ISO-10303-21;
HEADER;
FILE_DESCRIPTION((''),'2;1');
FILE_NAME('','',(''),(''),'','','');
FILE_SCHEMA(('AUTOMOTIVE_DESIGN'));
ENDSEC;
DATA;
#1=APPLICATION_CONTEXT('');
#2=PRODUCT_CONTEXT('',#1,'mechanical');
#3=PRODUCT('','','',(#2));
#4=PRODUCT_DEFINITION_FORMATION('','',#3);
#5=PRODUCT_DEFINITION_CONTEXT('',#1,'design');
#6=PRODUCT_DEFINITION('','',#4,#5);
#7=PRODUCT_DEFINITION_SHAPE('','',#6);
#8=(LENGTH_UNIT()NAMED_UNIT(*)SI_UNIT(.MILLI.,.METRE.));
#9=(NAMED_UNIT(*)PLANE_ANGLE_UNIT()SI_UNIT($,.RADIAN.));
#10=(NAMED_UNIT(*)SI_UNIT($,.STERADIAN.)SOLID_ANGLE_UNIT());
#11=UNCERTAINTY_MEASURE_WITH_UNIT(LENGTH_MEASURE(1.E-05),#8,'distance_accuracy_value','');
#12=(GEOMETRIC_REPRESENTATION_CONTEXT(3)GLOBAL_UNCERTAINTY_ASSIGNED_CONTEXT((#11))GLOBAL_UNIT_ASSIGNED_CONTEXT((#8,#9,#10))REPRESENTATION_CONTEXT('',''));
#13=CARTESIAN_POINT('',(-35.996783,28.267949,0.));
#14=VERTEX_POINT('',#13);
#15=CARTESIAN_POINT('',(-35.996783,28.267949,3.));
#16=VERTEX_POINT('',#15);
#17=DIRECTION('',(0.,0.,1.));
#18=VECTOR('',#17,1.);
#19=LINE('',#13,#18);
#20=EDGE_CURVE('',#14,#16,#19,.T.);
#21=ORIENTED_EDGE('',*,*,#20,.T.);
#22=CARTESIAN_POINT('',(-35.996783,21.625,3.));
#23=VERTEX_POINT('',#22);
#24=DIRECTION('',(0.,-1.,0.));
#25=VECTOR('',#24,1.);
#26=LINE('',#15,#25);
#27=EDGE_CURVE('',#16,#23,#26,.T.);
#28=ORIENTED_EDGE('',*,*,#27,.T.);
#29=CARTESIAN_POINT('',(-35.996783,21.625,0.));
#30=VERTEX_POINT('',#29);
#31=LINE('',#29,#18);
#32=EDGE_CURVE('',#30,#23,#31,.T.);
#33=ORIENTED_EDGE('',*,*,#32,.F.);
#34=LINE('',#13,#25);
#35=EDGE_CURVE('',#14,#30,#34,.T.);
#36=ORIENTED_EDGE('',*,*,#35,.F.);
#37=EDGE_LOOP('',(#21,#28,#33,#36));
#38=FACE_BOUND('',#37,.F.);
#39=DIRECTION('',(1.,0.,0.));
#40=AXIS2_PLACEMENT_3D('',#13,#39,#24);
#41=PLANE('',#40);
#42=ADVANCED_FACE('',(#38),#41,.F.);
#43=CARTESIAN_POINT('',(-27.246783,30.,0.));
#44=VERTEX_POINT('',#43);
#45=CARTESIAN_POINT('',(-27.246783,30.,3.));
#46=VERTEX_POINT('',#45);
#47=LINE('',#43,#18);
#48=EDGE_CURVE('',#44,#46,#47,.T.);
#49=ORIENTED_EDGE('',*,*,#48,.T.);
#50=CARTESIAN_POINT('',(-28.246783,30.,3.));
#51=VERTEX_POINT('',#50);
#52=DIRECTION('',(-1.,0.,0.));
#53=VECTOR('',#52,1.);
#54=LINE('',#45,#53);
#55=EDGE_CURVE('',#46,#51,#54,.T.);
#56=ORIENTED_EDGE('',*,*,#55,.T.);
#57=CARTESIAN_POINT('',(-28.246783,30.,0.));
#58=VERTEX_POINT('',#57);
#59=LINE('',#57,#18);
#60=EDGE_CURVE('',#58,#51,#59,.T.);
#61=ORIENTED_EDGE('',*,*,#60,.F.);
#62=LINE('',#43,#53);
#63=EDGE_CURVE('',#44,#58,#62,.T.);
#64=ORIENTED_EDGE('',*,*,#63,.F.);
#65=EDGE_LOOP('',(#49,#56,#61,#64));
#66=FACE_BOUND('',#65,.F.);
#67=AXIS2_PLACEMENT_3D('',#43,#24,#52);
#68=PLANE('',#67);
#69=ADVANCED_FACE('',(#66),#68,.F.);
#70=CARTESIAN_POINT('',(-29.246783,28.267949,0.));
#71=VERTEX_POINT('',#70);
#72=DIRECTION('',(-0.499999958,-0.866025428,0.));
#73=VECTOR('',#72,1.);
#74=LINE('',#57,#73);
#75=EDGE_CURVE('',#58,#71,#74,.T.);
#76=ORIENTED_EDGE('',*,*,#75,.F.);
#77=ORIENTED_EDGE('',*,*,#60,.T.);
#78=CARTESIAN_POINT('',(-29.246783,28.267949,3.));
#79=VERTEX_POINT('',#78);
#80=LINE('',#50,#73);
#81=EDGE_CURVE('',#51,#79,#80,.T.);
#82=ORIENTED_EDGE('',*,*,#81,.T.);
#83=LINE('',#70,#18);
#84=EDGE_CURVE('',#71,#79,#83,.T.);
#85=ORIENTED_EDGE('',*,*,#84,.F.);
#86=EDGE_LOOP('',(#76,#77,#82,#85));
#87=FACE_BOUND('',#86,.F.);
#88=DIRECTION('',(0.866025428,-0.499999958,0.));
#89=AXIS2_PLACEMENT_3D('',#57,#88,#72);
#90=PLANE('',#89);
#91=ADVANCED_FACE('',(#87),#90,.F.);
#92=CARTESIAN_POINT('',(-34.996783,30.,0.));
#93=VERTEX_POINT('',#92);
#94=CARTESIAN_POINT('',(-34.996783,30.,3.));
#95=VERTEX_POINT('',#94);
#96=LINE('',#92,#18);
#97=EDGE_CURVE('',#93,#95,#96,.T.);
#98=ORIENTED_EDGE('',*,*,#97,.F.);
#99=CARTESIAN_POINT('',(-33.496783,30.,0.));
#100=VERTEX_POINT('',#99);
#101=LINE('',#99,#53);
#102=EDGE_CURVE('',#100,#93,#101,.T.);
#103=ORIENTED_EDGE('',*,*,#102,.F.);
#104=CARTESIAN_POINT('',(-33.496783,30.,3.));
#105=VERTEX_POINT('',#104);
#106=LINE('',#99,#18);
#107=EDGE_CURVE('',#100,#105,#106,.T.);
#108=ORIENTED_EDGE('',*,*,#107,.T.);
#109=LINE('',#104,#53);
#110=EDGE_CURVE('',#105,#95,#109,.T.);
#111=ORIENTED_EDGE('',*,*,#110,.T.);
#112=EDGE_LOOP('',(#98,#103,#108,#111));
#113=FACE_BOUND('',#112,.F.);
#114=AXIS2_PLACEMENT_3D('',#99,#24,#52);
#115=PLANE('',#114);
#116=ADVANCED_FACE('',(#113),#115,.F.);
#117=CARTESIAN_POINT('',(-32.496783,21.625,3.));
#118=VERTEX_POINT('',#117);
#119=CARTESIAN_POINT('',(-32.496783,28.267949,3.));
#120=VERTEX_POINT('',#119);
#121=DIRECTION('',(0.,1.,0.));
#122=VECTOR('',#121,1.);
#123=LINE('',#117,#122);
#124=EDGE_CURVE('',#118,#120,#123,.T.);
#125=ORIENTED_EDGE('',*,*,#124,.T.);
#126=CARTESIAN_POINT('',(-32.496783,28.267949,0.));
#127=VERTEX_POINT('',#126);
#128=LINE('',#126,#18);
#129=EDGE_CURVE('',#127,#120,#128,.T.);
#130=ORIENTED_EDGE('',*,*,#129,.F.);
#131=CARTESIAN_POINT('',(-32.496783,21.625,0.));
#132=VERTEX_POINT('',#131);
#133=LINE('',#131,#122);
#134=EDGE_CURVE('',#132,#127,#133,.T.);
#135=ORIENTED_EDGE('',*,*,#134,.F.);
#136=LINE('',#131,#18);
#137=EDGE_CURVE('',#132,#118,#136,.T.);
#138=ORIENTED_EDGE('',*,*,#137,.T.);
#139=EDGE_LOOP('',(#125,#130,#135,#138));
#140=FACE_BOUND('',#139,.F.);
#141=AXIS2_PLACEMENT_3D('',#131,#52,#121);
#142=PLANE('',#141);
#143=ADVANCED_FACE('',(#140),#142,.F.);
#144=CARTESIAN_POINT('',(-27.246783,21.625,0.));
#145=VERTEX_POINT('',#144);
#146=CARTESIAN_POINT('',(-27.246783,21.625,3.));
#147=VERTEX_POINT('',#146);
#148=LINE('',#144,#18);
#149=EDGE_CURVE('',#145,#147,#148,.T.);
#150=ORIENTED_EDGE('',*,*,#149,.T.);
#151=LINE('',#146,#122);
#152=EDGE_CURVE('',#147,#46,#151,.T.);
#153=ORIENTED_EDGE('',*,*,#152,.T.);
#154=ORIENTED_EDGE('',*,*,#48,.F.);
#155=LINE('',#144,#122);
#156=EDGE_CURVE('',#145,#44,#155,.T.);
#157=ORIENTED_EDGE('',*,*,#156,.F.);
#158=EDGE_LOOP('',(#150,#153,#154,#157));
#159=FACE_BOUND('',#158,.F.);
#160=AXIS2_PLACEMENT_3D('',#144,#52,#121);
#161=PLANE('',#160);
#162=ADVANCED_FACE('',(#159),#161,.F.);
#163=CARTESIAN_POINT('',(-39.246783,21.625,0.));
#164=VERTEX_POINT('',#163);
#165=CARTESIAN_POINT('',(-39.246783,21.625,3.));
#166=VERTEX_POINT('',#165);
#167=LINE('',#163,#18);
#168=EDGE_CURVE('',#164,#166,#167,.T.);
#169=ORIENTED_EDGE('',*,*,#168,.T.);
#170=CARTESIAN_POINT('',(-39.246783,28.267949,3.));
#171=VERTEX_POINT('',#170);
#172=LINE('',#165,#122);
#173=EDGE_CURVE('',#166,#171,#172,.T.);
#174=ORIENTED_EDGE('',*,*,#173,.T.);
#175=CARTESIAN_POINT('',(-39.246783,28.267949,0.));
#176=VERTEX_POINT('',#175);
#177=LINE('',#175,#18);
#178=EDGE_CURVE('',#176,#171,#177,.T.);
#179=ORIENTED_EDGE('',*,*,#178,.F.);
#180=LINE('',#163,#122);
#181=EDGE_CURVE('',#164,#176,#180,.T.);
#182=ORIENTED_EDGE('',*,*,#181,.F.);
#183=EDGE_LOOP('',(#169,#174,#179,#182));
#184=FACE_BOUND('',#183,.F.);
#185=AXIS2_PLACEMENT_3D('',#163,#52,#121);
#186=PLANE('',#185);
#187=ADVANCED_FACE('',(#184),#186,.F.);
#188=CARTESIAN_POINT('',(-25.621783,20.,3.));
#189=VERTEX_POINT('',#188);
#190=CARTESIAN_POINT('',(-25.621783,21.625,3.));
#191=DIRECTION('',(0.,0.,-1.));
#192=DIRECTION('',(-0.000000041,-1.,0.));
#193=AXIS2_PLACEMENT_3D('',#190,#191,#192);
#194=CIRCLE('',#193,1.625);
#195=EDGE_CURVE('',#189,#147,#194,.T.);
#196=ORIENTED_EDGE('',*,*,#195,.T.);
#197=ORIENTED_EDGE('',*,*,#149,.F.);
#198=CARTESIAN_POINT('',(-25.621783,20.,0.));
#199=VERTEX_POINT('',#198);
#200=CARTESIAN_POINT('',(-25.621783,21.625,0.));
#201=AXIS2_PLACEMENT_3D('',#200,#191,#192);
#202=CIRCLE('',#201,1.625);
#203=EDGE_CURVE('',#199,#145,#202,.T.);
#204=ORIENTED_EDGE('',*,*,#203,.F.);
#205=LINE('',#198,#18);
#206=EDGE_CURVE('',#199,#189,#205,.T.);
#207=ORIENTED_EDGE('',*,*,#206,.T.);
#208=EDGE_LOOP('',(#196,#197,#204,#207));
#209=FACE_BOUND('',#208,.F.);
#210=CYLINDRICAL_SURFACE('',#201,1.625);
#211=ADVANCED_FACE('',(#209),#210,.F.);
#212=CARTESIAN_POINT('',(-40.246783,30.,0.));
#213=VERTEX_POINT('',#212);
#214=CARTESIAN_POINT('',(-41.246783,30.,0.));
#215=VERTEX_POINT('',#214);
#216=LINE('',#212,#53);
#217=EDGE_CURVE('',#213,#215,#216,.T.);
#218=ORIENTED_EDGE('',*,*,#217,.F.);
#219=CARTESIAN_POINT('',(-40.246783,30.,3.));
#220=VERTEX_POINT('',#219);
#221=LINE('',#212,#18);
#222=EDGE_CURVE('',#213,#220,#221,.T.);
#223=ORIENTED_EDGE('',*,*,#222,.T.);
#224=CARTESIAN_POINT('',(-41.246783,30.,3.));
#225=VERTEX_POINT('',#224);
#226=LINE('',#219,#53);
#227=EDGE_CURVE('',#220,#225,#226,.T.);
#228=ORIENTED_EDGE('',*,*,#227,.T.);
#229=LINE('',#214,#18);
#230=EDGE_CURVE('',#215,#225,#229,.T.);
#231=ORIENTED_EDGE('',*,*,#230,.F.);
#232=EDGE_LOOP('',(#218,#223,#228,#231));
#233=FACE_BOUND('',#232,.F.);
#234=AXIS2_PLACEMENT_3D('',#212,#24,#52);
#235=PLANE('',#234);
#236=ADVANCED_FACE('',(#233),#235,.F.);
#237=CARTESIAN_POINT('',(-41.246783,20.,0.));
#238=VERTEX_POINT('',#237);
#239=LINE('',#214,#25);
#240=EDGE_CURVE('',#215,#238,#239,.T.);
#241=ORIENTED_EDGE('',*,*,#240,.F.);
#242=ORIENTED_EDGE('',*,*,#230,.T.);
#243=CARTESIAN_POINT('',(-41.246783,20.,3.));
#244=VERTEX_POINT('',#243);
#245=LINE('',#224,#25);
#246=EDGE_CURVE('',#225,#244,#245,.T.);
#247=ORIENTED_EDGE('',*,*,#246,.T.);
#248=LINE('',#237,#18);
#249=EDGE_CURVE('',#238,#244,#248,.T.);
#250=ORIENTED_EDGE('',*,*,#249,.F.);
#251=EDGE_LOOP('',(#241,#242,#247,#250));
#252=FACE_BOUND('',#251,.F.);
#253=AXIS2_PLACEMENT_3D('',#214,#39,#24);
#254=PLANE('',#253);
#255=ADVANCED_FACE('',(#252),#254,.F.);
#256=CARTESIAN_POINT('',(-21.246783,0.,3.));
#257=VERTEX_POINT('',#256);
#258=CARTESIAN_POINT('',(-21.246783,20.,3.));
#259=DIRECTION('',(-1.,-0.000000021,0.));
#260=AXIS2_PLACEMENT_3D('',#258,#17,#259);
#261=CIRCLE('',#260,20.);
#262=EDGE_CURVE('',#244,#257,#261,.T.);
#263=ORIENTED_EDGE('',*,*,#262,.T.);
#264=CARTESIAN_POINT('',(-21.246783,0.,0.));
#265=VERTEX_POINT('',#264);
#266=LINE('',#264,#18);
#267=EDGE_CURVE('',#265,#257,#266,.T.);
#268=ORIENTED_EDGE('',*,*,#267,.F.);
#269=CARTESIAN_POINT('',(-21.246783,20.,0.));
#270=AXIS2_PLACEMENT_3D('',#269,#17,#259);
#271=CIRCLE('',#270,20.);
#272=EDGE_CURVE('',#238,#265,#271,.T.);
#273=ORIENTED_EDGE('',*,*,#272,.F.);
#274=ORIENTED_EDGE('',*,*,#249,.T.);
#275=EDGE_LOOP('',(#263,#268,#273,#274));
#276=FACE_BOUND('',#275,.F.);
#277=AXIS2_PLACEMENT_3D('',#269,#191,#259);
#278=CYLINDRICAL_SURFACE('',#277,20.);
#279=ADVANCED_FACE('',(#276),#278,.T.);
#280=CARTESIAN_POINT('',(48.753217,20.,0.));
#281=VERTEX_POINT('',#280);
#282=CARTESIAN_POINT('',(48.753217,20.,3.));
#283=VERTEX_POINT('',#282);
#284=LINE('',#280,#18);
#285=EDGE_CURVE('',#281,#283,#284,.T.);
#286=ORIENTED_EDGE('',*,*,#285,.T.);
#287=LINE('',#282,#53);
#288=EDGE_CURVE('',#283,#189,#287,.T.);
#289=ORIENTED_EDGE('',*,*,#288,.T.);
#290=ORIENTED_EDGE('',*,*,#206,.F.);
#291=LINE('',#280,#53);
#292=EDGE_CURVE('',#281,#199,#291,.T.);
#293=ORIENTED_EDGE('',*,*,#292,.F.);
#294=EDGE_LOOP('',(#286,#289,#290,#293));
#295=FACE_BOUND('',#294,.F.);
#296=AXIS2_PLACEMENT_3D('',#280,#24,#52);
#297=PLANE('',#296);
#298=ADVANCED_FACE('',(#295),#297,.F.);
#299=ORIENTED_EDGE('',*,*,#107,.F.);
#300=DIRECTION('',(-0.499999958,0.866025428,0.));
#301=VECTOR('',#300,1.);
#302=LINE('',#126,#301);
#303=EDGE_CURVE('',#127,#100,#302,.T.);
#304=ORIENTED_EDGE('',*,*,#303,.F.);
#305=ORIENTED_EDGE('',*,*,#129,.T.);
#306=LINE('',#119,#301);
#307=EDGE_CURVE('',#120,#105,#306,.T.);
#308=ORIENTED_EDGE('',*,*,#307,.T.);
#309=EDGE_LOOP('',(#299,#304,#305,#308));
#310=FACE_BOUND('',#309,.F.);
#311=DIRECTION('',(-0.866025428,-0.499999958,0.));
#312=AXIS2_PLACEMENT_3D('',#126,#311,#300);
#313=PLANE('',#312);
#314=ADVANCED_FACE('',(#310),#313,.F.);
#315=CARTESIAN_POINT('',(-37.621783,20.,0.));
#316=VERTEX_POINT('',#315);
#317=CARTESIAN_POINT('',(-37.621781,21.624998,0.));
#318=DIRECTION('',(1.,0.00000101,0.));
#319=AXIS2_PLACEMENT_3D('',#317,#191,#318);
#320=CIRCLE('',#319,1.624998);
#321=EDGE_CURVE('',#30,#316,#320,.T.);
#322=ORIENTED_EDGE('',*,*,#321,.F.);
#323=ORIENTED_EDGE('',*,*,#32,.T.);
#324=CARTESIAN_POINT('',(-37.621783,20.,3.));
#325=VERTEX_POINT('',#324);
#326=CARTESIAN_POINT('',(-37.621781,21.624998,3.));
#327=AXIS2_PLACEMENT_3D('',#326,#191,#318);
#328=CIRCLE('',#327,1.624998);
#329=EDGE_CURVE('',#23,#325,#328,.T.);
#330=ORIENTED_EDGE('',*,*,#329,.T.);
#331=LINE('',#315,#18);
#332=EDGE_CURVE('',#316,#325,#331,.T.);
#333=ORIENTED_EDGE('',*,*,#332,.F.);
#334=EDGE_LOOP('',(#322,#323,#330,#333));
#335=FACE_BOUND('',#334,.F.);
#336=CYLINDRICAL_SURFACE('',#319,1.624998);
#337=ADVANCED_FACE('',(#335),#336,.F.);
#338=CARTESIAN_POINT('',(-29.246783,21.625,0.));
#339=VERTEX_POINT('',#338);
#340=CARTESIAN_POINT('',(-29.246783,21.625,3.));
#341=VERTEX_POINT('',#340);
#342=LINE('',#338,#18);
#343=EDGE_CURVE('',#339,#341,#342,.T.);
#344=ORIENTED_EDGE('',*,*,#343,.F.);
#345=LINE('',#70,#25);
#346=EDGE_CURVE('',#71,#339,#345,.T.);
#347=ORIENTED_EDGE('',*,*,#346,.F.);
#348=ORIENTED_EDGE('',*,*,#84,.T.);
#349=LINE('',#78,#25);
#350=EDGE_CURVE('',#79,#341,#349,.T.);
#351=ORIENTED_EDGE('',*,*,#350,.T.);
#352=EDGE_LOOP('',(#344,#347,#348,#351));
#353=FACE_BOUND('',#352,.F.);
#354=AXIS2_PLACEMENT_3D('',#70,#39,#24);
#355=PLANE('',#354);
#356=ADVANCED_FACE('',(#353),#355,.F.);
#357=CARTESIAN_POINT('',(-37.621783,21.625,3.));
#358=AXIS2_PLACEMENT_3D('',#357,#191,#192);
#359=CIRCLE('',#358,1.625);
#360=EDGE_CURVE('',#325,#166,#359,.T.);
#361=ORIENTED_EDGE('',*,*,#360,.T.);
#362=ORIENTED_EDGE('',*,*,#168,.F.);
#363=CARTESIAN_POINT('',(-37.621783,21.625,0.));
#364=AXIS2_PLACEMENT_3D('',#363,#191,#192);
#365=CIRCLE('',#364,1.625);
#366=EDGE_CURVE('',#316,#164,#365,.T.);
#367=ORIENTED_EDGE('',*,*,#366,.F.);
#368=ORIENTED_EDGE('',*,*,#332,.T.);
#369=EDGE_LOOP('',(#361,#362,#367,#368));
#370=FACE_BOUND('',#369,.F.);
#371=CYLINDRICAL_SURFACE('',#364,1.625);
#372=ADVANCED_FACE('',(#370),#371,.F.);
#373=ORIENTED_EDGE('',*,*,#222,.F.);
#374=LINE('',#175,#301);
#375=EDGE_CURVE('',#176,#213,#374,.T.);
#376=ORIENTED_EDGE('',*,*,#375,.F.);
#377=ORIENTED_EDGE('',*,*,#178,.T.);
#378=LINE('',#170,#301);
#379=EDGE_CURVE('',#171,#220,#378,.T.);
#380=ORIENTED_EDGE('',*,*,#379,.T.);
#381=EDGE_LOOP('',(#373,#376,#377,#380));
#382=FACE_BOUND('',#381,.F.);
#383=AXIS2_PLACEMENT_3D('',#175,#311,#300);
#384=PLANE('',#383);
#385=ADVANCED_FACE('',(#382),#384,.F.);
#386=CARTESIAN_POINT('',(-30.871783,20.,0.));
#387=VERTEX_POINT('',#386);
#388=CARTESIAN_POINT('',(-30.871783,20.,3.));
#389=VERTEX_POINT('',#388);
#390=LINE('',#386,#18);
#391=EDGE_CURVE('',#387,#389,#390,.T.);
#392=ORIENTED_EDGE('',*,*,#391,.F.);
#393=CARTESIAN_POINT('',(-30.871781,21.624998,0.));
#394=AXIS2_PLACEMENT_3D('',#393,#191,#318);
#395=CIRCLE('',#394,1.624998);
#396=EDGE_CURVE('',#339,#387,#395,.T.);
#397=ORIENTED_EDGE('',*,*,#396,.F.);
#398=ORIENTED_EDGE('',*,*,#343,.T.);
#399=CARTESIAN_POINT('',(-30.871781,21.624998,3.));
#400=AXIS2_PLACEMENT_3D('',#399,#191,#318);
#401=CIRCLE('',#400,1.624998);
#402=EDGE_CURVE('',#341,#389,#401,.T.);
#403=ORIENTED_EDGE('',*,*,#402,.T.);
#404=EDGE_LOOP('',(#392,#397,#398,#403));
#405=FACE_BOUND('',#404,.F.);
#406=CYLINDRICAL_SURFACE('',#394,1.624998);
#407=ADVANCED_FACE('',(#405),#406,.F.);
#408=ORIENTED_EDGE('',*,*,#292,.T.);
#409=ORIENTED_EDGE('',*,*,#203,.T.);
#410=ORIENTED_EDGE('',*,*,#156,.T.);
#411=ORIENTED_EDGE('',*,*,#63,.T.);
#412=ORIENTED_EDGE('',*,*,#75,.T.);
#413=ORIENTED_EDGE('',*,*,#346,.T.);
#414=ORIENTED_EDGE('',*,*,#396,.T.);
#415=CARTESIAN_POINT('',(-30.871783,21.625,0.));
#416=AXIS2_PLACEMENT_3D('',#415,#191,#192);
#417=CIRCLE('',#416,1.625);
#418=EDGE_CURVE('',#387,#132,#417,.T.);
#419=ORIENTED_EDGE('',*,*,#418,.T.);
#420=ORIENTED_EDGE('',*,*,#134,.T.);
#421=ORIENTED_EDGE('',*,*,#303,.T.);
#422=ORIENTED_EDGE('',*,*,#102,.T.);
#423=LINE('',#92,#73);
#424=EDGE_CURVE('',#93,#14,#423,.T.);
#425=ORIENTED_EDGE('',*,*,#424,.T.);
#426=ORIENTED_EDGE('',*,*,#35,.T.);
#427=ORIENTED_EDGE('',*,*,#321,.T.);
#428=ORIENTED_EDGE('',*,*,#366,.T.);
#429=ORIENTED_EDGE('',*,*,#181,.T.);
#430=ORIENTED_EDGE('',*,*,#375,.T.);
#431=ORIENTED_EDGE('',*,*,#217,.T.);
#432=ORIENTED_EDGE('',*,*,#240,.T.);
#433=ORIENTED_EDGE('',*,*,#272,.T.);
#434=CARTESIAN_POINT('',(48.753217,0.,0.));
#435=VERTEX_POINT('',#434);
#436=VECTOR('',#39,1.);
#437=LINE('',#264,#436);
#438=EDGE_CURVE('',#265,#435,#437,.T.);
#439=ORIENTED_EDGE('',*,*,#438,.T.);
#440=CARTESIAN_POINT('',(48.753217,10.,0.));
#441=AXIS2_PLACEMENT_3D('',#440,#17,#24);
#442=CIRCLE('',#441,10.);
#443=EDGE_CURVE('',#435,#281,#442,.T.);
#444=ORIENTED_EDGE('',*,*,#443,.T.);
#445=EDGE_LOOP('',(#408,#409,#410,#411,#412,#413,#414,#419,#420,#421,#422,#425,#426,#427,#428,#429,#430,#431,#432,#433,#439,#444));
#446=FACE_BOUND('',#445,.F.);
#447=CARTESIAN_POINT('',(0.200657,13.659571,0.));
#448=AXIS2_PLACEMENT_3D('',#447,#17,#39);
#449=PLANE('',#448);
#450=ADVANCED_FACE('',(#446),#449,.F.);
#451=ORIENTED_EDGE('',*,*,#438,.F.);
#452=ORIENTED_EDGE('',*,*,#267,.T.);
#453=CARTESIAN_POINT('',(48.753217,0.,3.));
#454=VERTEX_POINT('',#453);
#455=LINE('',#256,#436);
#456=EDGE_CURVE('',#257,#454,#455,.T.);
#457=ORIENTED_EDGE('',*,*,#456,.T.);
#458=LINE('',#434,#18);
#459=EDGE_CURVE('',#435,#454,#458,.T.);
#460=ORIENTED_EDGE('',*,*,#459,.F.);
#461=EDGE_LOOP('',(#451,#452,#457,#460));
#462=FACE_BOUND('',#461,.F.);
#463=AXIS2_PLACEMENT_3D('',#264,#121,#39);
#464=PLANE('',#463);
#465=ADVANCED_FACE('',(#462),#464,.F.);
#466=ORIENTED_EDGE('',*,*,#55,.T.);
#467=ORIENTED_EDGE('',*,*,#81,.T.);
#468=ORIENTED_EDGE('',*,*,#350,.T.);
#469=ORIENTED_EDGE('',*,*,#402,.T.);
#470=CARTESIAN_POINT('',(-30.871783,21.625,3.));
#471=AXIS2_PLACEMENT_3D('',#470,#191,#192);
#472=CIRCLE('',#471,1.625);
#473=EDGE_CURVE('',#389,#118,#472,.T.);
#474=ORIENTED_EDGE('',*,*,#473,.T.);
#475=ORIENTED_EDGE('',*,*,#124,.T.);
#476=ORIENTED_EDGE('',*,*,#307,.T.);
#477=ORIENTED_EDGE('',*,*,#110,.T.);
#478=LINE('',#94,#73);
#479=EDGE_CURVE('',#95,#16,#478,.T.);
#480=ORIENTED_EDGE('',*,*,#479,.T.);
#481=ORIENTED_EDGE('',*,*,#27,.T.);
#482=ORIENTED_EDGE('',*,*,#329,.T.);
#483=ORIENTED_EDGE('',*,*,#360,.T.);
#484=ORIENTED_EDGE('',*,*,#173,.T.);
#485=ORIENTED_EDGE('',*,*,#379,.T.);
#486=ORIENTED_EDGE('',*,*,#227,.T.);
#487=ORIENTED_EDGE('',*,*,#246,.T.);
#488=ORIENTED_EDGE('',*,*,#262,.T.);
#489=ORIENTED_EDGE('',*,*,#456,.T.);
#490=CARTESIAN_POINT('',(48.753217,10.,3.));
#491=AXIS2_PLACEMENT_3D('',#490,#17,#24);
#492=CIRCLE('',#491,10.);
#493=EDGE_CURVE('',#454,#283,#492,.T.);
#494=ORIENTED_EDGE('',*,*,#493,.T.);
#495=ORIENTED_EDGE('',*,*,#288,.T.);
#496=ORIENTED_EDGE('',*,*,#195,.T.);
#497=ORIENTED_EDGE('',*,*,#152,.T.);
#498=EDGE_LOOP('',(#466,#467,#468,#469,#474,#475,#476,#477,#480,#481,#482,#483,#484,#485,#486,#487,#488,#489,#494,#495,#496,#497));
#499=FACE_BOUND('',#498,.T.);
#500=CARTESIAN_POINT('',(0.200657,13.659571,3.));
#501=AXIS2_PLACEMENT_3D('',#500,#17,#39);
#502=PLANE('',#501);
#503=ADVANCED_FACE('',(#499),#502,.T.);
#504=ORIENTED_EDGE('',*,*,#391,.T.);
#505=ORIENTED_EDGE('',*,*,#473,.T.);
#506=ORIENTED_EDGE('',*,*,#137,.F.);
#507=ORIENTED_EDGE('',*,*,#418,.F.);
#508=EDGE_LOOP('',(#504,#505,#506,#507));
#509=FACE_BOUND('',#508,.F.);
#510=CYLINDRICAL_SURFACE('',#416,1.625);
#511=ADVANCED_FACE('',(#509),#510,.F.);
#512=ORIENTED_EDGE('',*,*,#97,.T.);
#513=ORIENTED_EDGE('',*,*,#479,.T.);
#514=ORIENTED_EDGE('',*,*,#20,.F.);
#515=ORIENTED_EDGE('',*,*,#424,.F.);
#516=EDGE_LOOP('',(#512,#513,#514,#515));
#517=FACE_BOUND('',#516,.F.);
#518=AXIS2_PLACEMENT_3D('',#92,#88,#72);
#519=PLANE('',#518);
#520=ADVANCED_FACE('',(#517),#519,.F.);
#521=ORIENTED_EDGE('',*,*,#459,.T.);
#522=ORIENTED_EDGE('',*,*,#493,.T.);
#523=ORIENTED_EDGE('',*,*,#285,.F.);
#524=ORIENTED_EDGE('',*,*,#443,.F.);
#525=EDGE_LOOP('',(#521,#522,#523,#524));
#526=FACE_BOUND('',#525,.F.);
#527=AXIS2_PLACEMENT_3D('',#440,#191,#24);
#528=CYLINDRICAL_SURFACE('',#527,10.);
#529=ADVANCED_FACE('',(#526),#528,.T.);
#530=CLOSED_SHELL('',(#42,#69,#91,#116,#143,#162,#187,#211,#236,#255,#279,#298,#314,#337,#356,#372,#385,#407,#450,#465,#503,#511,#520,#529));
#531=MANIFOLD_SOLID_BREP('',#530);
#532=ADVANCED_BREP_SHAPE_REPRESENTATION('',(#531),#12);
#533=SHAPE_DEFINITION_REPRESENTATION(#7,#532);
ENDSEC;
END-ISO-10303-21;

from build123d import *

# Parameters (mm, degrees)
F1_DEPTH = 3


with BuildPart() as f1:
    # F0 (on Top) → F1 (new body)
    with BuildSketch(Plane.XY):
        with BuildLine():
            Line((-21.246783, 0), (0, 0))
            Line((0, 0), (48.753217, 0))
            ThreePointArc((48.753217, 0), (58.753217, 10), (48.753217, 20))
            Line((48.753217, 20), (-25.621783, 20))
            ThreePointArc((-25.621783, 20), (-26.770831, 20.475951), (-27.246783, 21.625))
            Line((-27.246783, 21.625), (-27.246783, 30))
            Line((-27.246783, 30), (-28.246783, 30))
            Line((-28.246783, 30), (-29.246783, 28.267949))
            Line((-29.246783, 28.267949), (-29.246783, 21.625))
            ThreePointArc((-29.246783, 21.625), (-29.722734, 20.475951), (-30.871783, 20))
            ThreePointArc((-30.871783, 20), (-32.020831, 20.475951), (-32.496783, 21.625))
            Line((-32.496783, 21.625), (-32.496783, 28.267949))
            Line((-32.496783, 28.267949), (-33.496783, 30))
            Line((-33.496783, 30), (-34.996783, 30))
            Line((-34.996783, 30), (-35.996783, 28.267949))
            Line((-35.996783, 28.267949), (-35.996783, 21.625))
            ThreePointArc((-35.996783, 21.625), (-36.472734, 20.475951), (-37.621783, 20))
            ThreePointArc((-37.621783, 20), (-38.770831, 20.475951), (-39.246783, 21.625))
            Line((-39.246783, 21.625), (-39.246783, 28.267949))
            Line((-39.246783, 28.267949), (-40.246783, 30))
            Line((-40.246783, 30), (-41.246783, 30))
            Line((-41.246783, 30), (-41.246783, 20))
            ThreePointArc((-41.246783, 20), (-35.388918, 5.857864), (-21.246783, 0))
        make_face()
    extrude(amount=F1_DEPTH)


solid = f1.part
